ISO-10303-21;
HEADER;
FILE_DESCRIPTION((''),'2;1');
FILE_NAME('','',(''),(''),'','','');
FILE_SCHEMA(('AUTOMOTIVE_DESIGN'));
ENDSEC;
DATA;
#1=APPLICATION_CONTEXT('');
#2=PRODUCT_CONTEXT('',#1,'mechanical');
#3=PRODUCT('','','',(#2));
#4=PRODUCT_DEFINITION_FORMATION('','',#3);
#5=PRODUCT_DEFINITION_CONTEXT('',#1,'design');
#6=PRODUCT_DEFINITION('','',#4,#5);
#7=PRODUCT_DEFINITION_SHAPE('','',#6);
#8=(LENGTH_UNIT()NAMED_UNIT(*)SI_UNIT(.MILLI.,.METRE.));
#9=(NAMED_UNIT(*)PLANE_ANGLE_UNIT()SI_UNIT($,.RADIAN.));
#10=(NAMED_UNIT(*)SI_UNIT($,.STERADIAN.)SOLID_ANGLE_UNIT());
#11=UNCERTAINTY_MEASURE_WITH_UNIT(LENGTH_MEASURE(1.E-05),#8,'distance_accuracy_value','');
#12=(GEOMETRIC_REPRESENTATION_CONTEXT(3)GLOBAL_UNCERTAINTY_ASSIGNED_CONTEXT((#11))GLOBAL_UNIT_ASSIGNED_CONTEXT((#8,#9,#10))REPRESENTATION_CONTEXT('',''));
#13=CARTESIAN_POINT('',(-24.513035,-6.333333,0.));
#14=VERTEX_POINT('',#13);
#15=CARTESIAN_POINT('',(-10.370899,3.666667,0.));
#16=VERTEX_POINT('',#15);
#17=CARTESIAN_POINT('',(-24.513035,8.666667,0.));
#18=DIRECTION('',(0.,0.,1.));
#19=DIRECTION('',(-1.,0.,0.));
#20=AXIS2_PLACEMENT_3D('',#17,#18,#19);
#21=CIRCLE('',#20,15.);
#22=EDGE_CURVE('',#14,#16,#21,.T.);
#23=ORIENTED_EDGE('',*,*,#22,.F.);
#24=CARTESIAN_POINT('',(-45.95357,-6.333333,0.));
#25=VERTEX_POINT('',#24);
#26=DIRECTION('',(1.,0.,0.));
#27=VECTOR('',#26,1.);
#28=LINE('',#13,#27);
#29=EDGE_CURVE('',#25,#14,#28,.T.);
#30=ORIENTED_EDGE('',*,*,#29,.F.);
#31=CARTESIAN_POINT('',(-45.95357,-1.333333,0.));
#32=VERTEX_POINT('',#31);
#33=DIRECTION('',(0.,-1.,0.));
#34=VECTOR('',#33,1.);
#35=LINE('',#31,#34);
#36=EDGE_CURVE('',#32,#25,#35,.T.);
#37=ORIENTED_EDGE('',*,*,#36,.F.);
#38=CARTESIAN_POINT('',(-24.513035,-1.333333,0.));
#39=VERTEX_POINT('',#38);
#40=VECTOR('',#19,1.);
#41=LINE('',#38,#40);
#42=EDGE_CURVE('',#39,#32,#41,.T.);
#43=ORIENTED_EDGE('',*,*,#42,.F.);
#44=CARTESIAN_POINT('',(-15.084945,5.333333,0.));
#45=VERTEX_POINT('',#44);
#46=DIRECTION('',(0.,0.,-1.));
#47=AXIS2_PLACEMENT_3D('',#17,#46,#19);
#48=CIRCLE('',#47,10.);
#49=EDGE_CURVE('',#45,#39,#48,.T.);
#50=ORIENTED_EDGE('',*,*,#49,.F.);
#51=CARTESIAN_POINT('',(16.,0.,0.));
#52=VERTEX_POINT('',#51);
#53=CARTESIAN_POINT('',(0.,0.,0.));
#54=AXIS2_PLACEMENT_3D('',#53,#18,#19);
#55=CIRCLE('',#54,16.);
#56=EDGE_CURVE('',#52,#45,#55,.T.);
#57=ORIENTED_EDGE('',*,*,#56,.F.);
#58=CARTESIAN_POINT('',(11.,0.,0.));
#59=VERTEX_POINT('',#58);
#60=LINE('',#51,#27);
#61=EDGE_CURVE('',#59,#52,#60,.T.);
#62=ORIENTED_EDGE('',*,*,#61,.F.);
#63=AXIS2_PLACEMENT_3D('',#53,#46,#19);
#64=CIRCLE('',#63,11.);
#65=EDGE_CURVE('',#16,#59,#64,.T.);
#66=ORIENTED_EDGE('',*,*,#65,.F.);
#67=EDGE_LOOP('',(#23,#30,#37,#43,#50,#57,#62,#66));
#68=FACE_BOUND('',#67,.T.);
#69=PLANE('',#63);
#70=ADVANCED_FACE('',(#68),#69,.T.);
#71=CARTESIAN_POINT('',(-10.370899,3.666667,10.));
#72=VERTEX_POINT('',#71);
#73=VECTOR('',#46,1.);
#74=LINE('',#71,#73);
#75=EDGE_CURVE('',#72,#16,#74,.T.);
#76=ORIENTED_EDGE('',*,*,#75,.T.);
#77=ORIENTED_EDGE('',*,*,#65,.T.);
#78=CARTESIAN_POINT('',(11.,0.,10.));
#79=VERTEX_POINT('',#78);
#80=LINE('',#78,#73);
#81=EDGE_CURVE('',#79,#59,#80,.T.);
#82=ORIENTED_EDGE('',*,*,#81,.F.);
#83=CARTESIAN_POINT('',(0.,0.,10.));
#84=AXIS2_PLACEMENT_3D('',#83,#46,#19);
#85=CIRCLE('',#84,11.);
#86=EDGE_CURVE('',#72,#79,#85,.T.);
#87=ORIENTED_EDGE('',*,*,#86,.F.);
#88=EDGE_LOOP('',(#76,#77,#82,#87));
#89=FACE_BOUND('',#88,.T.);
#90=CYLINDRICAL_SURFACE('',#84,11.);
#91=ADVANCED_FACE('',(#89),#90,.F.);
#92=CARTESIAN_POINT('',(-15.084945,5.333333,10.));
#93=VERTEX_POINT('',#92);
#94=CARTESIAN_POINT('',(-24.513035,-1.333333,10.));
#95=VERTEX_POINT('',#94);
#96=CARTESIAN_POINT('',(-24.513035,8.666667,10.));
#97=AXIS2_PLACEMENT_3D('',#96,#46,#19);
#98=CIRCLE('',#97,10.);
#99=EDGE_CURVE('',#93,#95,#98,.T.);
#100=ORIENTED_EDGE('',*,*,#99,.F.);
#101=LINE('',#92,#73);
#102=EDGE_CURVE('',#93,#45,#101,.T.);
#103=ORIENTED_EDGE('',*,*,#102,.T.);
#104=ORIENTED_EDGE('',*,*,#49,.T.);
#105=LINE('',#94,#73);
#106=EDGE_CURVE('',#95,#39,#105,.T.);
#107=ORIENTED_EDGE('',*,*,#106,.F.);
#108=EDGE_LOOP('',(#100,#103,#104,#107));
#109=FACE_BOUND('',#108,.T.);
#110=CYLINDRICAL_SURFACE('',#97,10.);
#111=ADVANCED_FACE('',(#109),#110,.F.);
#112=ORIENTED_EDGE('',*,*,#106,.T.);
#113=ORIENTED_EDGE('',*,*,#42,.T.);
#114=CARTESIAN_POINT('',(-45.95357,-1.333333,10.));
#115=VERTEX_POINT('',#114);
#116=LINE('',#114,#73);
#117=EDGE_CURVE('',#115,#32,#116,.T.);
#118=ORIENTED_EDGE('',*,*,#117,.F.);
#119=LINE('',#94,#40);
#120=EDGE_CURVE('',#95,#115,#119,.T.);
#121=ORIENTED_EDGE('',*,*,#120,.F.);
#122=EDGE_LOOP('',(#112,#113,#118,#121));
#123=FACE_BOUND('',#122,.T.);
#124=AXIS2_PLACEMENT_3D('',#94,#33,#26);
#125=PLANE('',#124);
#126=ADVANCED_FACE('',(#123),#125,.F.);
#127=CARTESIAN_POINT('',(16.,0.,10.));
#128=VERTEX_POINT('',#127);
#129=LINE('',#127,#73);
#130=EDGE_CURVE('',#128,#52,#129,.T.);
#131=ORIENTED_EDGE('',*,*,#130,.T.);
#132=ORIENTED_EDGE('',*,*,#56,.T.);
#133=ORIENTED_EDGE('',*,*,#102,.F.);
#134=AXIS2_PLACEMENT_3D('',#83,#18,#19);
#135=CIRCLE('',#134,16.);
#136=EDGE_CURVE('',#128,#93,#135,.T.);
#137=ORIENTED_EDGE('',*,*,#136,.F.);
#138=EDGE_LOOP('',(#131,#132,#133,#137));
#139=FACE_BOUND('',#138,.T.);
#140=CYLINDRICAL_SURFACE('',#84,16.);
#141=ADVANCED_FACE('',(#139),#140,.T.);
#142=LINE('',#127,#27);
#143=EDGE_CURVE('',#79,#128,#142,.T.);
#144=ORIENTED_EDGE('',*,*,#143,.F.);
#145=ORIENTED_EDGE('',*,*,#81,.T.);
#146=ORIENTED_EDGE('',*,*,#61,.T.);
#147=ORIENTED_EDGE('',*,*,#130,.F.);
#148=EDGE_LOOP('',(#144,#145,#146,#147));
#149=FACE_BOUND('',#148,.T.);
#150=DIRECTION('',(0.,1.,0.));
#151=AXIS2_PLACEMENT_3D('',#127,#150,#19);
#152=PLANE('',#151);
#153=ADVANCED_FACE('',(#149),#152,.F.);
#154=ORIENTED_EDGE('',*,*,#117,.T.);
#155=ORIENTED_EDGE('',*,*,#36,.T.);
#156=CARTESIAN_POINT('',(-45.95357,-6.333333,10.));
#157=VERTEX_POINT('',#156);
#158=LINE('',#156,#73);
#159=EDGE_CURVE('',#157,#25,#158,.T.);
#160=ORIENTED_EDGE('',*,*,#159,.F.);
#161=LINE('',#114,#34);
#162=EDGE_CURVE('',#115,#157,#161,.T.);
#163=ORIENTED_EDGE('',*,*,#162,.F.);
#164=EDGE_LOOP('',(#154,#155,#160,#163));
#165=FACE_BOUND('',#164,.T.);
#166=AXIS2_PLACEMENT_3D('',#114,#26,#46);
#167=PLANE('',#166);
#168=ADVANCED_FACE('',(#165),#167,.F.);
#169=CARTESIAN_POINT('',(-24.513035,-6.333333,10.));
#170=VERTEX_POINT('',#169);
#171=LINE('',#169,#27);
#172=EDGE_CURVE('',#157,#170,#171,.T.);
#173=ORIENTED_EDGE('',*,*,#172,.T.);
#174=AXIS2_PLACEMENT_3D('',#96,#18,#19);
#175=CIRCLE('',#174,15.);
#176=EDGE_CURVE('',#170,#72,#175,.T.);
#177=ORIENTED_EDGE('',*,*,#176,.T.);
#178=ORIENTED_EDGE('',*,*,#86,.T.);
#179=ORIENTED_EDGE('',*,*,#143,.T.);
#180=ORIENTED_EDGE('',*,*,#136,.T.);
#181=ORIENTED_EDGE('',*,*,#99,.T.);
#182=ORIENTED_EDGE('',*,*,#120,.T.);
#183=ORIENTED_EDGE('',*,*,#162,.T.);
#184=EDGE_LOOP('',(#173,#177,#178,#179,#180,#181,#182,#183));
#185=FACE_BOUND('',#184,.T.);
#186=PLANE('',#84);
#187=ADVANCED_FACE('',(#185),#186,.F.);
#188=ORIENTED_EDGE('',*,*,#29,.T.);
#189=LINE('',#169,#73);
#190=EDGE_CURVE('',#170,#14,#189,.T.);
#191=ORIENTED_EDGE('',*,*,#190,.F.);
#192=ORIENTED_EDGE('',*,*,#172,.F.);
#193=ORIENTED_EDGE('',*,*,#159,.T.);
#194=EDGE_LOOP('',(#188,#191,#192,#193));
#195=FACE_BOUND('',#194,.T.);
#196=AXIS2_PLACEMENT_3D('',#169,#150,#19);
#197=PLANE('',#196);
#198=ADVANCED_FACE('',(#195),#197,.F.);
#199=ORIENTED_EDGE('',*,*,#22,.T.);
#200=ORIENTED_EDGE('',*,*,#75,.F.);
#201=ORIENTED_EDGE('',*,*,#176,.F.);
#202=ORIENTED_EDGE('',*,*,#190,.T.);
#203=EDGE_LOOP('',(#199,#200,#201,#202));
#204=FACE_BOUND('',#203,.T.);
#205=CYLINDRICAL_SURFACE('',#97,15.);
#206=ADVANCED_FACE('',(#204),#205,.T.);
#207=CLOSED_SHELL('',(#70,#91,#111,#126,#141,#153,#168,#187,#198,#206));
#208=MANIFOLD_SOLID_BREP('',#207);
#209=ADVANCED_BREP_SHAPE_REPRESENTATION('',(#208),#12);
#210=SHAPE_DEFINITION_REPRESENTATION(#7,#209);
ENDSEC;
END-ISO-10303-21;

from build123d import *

# Parameters (mm, degrees)
BASE_EXTRUDE_DEPTH = 10


with BuildPart() as part:
    # Sketch1 → Base-Extrude (new body)
    with BuildSketch(Plane.XY):
        with BuildLine():
            Line((-24.513035081, -6.333333333), (-45.95357014, -6.333333333))
            Line((-45.95357014, -6.333333333), (-45.95357014, -1.333333333))
            Line((-45.95357014, -1.333333333), (-24.513035081, -1.333333333))
            ThreePointArc((-24.513035081, -1.333333333), (-18.739532389, 0.501700857), (-15.084944665, 5.333333333))
            ThreePointArc((-15.084944665, 5.333333333), (2.70563166, 15.769576954), (16, 0))
            Line((16, 0), (11, 0))
            ThreePointArc((11, 0), (1.860121766, 10.841584156), (-10.370899457, 3.666666667))
            ThreePointArc((-10.370899457, 3.666666667), (-15.852781043, -3.580782047), (-24.513035081, -6.333333333))
        make_face()
    extrude(amount=BASE_EXTRUDE_DEPTH)


solid = part.part
